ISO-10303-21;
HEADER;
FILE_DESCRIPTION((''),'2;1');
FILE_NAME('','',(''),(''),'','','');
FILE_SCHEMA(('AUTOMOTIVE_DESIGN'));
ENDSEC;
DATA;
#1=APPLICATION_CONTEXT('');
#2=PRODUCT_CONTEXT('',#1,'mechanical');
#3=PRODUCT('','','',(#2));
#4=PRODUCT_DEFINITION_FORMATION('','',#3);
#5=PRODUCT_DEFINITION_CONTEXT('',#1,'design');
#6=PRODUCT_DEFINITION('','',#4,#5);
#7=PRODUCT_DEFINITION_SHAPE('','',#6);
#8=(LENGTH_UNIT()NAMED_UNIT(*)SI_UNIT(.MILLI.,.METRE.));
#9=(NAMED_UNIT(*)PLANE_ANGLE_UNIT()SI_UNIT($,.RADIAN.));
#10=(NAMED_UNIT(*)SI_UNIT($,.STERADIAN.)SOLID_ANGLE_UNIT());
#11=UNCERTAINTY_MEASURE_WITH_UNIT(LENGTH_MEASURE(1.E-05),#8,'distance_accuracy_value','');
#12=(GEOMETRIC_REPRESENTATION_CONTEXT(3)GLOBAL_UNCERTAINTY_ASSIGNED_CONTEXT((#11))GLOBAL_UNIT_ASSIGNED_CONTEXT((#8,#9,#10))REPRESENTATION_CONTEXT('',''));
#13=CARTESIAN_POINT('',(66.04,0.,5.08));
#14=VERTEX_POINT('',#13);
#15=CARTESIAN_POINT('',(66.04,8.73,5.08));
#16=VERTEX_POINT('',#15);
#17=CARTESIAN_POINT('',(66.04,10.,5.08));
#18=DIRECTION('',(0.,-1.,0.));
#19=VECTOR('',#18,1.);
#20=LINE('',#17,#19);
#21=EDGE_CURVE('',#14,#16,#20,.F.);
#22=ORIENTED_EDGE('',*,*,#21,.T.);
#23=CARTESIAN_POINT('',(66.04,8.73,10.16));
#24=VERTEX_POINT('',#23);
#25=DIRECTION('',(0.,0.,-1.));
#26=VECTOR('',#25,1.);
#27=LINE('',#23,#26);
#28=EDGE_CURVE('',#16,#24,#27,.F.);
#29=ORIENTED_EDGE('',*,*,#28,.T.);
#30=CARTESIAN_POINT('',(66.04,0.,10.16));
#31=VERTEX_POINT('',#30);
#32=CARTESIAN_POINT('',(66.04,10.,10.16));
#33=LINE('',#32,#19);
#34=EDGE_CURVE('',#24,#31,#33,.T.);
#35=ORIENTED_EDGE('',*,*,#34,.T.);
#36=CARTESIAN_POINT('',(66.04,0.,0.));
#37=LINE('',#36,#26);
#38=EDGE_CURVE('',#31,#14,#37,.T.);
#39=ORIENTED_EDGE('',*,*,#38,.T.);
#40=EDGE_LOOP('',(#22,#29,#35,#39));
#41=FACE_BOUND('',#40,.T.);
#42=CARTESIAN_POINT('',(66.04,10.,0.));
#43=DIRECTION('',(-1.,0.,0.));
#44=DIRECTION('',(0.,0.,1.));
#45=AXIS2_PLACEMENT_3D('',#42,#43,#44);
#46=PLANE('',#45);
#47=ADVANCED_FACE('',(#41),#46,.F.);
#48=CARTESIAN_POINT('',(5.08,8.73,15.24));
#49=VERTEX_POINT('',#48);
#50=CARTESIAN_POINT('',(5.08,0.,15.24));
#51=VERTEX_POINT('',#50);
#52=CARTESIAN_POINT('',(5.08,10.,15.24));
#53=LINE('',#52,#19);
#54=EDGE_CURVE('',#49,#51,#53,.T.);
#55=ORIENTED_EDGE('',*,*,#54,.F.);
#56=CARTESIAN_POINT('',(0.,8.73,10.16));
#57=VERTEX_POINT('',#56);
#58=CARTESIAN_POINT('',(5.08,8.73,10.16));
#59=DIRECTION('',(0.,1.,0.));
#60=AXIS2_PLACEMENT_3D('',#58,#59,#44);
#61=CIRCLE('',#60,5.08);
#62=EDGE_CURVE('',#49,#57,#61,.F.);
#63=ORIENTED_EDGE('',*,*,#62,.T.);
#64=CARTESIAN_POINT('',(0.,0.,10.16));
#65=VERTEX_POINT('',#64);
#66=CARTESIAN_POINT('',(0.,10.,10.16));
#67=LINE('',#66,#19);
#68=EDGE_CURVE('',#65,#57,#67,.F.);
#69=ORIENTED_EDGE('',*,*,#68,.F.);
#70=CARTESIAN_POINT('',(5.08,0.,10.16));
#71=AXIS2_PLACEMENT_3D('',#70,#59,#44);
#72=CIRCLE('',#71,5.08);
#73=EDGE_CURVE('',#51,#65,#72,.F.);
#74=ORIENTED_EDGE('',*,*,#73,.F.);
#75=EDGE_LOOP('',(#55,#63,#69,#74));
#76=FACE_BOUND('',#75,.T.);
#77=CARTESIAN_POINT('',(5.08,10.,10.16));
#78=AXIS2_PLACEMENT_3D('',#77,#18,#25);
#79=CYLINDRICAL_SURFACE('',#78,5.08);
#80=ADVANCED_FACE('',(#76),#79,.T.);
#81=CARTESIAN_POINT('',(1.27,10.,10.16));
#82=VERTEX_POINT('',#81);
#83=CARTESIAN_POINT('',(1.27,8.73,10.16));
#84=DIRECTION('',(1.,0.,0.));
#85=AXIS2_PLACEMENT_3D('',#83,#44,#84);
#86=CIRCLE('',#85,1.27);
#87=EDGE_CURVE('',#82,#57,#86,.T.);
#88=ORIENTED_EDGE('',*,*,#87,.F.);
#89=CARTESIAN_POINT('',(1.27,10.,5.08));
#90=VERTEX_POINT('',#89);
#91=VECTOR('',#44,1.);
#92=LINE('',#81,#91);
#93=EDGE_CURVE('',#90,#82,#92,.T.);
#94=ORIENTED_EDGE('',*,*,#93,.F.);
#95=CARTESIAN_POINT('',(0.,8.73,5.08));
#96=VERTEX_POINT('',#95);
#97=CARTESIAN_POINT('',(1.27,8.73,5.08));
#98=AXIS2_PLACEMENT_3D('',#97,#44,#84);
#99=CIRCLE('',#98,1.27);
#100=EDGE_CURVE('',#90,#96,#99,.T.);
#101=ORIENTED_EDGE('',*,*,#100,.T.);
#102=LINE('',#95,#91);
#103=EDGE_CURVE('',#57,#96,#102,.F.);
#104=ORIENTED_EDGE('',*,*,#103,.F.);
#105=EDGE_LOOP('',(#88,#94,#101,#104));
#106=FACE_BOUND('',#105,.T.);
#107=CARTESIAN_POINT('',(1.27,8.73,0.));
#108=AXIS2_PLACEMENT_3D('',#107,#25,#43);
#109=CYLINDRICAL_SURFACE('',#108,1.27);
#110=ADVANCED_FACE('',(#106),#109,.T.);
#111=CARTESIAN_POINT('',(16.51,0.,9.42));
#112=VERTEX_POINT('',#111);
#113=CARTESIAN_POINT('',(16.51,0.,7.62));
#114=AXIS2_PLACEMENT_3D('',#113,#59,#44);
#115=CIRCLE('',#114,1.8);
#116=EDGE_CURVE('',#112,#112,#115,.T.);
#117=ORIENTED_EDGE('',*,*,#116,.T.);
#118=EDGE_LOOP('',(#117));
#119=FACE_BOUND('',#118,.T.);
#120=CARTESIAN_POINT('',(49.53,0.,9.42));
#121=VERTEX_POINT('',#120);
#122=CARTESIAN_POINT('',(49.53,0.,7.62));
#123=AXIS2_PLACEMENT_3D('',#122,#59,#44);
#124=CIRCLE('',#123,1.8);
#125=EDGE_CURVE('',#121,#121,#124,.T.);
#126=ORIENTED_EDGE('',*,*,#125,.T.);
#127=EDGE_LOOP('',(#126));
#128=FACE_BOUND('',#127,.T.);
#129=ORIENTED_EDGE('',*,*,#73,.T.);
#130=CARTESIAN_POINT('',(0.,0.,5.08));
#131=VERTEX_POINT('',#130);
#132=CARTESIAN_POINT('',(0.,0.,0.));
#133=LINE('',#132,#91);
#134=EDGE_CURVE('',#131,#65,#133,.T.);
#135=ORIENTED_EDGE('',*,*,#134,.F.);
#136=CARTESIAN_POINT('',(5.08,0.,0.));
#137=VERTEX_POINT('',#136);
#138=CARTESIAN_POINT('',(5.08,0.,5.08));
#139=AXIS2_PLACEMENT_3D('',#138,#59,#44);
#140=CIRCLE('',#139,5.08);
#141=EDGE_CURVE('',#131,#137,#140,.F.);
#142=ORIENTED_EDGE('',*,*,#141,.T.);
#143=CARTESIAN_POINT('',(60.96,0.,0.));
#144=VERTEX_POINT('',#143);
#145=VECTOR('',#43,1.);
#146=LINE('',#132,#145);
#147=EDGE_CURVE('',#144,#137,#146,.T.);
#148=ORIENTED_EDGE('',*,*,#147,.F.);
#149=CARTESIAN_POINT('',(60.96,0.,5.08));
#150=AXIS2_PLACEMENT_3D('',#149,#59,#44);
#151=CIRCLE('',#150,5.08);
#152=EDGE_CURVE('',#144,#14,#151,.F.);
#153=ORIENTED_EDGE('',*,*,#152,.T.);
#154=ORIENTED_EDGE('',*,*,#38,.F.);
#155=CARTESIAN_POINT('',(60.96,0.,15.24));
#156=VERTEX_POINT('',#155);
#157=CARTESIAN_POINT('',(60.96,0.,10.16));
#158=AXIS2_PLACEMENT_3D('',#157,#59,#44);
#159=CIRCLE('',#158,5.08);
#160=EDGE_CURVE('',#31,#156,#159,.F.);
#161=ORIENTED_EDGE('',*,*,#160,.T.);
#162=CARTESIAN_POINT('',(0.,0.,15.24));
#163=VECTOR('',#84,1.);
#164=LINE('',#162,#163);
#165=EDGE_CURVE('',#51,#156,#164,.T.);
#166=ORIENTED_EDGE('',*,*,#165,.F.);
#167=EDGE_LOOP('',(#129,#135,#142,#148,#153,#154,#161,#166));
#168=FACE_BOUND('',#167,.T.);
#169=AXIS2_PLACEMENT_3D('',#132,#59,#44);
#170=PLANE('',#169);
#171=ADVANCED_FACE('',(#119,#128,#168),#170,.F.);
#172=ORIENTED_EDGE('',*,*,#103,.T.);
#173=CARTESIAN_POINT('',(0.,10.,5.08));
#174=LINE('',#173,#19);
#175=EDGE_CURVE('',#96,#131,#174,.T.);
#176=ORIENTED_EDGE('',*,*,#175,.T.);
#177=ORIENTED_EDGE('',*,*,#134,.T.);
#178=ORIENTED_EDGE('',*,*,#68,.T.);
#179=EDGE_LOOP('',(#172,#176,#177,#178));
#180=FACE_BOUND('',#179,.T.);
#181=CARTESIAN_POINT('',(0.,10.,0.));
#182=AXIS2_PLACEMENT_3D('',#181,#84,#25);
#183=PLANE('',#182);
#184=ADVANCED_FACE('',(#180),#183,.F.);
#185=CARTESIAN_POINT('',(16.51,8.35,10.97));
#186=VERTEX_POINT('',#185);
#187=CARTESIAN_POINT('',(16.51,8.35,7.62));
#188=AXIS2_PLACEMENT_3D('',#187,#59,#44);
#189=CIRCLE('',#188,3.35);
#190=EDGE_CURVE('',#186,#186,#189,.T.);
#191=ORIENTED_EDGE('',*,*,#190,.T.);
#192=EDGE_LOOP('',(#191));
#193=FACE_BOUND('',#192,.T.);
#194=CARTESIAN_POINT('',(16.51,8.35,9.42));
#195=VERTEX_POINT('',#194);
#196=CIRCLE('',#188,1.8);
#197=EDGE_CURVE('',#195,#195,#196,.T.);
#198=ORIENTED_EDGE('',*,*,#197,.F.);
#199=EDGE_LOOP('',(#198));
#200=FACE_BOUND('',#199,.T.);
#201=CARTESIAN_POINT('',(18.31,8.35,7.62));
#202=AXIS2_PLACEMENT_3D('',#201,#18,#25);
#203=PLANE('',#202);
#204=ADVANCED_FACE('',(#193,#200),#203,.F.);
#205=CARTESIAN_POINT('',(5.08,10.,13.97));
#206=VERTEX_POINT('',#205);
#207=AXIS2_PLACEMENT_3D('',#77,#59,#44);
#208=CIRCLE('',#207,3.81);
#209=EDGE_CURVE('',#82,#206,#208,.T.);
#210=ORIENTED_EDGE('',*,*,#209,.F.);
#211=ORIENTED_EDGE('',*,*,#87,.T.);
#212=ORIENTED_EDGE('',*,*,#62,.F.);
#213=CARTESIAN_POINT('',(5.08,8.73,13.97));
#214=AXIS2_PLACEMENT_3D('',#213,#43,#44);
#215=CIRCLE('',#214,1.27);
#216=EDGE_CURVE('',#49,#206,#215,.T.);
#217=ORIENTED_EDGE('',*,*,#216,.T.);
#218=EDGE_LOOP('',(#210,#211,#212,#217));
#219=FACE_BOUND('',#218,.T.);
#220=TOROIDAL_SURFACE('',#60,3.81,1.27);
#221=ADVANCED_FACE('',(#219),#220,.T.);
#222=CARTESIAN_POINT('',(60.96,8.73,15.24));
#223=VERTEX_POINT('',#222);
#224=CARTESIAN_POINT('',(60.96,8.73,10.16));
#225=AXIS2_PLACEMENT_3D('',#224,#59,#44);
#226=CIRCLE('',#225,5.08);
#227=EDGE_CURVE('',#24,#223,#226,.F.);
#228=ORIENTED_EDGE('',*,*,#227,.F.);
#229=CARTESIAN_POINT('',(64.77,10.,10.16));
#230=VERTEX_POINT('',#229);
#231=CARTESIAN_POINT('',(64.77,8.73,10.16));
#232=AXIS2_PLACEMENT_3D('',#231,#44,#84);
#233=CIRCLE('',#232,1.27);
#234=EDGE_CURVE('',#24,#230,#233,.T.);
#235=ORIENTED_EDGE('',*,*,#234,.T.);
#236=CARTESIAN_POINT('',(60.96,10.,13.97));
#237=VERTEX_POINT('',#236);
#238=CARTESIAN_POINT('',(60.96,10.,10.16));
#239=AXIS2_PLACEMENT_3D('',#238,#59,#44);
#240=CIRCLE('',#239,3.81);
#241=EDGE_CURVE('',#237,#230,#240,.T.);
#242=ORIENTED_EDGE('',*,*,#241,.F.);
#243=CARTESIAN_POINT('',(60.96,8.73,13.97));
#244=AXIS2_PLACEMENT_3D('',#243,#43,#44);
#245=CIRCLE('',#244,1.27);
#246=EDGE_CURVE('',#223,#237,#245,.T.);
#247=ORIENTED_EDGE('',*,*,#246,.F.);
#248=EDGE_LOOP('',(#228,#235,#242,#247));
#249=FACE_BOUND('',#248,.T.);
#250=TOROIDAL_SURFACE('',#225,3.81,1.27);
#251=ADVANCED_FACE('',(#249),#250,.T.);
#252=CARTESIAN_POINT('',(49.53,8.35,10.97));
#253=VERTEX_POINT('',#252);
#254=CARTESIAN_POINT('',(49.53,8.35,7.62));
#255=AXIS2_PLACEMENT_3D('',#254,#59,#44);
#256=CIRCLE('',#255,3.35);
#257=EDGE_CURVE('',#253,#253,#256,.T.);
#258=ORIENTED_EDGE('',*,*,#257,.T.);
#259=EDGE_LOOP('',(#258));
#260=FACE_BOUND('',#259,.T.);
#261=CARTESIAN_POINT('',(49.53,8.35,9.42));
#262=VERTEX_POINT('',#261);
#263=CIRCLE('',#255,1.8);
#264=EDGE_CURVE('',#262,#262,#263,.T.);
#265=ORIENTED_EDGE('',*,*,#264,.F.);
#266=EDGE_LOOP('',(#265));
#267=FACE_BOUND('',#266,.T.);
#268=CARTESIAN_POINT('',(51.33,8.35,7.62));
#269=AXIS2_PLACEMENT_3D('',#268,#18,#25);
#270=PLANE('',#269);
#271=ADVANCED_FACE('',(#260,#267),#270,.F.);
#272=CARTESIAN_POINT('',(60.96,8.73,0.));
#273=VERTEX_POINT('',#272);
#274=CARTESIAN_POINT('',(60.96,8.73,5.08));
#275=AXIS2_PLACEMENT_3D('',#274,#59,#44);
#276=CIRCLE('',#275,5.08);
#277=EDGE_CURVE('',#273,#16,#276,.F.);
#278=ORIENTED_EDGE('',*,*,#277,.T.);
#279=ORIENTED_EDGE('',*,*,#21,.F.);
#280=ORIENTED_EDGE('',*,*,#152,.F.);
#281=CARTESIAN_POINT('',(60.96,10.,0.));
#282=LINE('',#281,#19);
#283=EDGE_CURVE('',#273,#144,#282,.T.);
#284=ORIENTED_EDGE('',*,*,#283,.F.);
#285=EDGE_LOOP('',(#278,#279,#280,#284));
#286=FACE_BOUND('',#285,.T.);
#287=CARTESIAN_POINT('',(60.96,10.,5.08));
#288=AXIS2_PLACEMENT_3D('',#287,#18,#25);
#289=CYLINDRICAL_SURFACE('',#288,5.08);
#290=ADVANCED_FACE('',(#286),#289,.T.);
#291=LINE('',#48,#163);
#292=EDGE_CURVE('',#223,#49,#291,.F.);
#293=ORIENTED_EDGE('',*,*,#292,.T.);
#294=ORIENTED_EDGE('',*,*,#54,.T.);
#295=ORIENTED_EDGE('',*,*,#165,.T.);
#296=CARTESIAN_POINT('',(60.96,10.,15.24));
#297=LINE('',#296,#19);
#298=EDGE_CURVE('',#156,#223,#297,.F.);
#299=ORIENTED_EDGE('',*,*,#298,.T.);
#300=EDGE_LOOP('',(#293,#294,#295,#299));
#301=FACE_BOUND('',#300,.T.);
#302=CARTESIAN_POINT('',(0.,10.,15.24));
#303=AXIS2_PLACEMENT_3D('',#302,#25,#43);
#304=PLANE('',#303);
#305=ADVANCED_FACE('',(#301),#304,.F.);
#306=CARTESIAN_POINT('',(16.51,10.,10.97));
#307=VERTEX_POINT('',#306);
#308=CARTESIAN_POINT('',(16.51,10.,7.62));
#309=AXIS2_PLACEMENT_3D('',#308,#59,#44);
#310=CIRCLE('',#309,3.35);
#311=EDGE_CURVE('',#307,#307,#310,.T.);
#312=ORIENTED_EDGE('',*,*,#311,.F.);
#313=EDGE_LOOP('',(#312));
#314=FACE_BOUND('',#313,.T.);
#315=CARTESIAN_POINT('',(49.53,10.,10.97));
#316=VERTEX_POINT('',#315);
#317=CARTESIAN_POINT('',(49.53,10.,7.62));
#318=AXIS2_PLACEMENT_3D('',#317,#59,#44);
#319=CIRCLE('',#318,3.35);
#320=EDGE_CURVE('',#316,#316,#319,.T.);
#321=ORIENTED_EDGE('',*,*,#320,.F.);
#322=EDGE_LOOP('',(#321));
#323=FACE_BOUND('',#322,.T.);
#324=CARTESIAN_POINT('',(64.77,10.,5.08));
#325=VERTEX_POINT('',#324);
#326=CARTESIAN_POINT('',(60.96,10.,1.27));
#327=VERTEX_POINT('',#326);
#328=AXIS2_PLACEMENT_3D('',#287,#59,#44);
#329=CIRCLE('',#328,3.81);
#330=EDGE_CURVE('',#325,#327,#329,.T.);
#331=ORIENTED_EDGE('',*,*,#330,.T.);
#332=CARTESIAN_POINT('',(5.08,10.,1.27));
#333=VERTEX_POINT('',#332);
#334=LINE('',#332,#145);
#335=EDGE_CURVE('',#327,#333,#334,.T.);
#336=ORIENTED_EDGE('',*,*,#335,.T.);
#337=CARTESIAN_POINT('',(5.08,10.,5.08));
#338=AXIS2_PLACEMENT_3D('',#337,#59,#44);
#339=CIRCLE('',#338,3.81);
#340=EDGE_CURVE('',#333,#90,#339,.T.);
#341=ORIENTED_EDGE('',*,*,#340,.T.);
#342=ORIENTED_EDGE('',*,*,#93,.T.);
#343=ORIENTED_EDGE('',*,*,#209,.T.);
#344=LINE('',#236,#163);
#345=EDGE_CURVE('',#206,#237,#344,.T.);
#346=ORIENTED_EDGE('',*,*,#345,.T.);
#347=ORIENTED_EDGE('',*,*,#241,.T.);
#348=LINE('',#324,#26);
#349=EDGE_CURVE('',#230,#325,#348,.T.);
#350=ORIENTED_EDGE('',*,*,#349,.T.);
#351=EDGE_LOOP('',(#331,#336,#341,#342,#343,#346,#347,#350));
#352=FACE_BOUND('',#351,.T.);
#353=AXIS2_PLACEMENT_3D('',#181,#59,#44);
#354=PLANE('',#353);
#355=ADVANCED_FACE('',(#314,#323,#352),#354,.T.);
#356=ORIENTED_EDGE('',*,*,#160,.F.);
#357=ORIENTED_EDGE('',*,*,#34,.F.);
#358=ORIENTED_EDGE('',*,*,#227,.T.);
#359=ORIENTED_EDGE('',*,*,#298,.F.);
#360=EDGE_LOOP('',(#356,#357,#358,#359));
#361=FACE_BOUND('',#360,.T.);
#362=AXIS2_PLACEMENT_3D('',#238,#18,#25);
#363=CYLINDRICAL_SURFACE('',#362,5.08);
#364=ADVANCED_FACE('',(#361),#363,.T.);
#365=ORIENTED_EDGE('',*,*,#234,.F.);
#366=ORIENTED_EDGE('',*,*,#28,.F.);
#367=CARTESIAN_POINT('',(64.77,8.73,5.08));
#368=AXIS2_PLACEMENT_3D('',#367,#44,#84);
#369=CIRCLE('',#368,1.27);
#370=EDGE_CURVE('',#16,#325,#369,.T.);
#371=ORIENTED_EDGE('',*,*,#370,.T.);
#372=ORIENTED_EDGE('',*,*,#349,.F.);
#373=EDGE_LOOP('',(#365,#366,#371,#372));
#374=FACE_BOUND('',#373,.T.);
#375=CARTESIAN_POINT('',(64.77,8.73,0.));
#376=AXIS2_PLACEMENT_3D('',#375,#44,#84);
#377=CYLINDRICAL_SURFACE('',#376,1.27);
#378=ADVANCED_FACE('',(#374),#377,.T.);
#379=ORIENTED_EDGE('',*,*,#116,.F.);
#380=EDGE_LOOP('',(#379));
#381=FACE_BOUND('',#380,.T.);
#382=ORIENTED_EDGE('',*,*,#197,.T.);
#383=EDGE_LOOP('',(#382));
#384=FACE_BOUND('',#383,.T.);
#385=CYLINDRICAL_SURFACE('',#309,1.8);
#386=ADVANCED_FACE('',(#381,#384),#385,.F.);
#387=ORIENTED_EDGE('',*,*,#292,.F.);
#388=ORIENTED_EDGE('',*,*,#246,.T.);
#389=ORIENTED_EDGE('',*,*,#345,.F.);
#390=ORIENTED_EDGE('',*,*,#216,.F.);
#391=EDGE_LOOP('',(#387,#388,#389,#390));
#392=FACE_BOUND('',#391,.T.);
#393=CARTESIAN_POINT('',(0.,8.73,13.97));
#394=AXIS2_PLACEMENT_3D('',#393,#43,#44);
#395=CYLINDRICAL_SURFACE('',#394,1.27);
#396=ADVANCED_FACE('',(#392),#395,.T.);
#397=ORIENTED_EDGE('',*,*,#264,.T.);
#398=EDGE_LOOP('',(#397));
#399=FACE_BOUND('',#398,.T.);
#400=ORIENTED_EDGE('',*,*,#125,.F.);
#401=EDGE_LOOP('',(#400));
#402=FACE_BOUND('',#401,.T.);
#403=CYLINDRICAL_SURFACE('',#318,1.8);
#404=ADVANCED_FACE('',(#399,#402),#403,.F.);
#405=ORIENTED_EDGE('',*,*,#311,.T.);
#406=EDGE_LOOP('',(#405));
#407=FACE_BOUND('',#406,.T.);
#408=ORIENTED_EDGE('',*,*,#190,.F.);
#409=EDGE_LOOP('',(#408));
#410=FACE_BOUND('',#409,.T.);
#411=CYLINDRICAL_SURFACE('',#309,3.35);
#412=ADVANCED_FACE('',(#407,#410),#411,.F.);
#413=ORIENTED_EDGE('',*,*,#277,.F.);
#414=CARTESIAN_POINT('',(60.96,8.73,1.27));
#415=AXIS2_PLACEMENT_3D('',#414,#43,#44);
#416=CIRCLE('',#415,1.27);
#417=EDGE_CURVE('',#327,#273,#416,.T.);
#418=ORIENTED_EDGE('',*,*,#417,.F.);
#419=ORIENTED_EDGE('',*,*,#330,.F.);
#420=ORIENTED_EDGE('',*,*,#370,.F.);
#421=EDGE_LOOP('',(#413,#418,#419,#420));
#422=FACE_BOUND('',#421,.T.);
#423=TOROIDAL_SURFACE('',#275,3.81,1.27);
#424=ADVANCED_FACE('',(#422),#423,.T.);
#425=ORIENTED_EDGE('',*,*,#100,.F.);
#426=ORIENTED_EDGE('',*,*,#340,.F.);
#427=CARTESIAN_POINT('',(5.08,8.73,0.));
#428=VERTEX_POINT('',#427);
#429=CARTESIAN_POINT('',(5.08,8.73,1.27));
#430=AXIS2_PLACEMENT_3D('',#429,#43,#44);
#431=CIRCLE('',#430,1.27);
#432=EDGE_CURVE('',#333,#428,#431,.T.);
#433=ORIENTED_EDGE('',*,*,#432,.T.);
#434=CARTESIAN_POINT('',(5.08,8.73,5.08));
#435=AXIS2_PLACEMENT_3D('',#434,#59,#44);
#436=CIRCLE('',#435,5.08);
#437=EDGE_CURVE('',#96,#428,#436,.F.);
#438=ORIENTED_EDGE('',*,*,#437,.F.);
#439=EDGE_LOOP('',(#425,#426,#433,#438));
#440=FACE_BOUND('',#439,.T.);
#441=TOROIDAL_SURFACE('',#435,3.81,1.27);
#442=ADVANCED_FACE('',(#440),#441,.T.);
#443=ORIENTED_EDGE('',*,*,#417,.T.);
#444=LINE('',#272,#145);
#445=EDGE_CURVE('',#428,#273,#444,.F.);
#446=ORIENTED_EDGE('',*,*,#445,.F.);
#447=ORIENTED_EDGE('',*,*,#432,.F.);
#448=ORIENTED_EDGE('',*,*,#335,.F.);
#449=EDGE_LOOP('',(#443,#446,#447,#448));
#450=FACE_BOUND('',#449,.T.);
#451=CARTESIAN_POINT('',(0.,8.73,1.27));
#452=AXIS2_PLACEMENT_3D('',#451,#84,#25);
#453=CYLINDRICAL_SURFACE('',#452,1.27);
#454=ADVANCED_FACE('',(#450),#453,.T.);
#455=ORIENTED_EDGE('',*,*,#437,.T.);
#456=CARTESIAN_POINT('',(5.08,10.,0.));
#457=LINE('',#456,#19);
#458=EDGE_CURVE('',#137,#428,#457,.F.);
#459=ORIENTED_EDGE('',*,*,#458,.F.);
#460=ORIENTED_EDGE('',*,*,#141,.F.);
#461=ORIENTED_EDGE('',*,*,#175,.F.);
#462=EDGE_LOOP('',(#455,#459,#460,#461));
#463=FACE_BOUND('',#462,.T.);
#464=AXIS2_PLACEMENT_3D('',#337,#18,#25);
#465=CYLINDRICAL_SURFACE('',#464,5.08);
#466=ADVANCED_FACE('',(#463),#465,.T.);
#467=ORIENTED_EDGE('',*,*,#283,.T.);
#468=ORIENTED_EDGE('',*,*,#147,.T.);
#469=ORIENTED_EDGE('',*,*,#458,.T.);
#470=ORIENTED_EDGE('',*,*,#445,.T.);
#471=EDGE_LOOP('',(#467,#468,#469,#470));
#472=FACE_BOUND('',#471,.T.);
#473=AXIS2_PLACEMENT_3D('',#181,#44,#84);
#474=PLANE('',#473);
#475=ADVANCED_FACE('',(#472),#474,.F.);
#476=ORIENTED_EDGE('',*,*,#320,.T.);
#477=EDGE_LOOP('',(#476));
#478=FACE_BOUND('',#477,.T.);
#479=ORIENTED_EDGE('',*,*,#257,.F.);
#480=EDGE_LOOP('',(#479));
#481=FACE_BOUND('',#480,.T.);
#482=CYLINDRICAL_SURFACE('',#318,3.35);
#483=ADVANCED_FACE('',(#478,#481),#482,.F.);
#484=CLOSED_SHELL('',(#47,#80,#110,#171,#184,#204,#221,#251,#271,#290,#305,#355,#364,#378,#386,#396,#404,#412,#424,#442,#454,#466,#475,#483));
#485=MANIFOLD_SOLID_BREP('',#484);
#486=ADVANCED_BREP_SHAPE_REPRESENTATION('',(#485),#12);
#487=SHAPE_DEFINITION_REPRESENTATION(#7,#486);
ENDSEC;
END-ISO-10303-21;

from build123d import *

# Parameters (mm, degrees)
SKETCH1_W                       = 66.04
SKETCH1_H                       = 15.24
BOSS_EXTRUDE1_DEPTH             = 10
CBORE_FOR_M3_SBHCS1_D           = 3.6
CBORE_FOR_M3_SBHCS1_CBORE_D     = 6.7
CBORE_FOR_M3_SBHCS1_CBORE_DEPTH = 1.65
FILLET1_R                       = 5.08
FILLET2_R                       = 1.27


with BuildPart() as part:
    # Sketch1 → Boss-Extrude1 (new body)
    with BuildSketch(Plane(origin=(0, 0, 0), x_dir=(1, 0, 0), z_dir=(0, 1, 0))):
        with Locations((33.02, -7.62)):
            Rectangle(SKETCH1_W, SKETCH1_H)
    extrude(amount=BOSS_EXTRUDE1_DEPTH)

    # CBORE for M3 SBHCS1 (through all)
    with Locations(Plane(origin=(0, 10, 0), x_dir=(1, 0, 0), z_dir=(0, 1, 0))):
        with Locations((16.51, -7.62), (49.53, -7.62)):
            CounterBoreHole(CBORE_FOR_M3_SBHCS1_D / 2, CBORE_FOR_M3_SBHCS1_CBORE_D / 2, CBORE_FOR_M3_SBHCS1_CBORE_DEPTH)

    # Fillet1
    fillet1_edges = [part.edges().sort_by_distance(p)[0] for p in [
        (0, 5, 0),
        (66.04, 5, 0),
        (66.04, 5, 15.24),
        (0, 5, 15.24),
    ]]
    fillet(fillet1_edges, radius=FILLET1_R)

    # Fillet2
    fillet2_edges = [part.edges().sort_by_distance(p)[0] for p in [
        (33.02, 10, 15.24),
        (0, 10, 7.62),
        (66.04, 10, 7.62),
        (33.02, 10, 0),
        (64.552102448, 10, 1.487897552),
        (64.552102448, 10, 13.752102448),
        (1.487897552, 10, 1.487897552),
        (1.487897552, 10, 13.752102448),
    ]]
    fillet(fillet2_edges, radius=FILLET2_R)


solid = part.part
